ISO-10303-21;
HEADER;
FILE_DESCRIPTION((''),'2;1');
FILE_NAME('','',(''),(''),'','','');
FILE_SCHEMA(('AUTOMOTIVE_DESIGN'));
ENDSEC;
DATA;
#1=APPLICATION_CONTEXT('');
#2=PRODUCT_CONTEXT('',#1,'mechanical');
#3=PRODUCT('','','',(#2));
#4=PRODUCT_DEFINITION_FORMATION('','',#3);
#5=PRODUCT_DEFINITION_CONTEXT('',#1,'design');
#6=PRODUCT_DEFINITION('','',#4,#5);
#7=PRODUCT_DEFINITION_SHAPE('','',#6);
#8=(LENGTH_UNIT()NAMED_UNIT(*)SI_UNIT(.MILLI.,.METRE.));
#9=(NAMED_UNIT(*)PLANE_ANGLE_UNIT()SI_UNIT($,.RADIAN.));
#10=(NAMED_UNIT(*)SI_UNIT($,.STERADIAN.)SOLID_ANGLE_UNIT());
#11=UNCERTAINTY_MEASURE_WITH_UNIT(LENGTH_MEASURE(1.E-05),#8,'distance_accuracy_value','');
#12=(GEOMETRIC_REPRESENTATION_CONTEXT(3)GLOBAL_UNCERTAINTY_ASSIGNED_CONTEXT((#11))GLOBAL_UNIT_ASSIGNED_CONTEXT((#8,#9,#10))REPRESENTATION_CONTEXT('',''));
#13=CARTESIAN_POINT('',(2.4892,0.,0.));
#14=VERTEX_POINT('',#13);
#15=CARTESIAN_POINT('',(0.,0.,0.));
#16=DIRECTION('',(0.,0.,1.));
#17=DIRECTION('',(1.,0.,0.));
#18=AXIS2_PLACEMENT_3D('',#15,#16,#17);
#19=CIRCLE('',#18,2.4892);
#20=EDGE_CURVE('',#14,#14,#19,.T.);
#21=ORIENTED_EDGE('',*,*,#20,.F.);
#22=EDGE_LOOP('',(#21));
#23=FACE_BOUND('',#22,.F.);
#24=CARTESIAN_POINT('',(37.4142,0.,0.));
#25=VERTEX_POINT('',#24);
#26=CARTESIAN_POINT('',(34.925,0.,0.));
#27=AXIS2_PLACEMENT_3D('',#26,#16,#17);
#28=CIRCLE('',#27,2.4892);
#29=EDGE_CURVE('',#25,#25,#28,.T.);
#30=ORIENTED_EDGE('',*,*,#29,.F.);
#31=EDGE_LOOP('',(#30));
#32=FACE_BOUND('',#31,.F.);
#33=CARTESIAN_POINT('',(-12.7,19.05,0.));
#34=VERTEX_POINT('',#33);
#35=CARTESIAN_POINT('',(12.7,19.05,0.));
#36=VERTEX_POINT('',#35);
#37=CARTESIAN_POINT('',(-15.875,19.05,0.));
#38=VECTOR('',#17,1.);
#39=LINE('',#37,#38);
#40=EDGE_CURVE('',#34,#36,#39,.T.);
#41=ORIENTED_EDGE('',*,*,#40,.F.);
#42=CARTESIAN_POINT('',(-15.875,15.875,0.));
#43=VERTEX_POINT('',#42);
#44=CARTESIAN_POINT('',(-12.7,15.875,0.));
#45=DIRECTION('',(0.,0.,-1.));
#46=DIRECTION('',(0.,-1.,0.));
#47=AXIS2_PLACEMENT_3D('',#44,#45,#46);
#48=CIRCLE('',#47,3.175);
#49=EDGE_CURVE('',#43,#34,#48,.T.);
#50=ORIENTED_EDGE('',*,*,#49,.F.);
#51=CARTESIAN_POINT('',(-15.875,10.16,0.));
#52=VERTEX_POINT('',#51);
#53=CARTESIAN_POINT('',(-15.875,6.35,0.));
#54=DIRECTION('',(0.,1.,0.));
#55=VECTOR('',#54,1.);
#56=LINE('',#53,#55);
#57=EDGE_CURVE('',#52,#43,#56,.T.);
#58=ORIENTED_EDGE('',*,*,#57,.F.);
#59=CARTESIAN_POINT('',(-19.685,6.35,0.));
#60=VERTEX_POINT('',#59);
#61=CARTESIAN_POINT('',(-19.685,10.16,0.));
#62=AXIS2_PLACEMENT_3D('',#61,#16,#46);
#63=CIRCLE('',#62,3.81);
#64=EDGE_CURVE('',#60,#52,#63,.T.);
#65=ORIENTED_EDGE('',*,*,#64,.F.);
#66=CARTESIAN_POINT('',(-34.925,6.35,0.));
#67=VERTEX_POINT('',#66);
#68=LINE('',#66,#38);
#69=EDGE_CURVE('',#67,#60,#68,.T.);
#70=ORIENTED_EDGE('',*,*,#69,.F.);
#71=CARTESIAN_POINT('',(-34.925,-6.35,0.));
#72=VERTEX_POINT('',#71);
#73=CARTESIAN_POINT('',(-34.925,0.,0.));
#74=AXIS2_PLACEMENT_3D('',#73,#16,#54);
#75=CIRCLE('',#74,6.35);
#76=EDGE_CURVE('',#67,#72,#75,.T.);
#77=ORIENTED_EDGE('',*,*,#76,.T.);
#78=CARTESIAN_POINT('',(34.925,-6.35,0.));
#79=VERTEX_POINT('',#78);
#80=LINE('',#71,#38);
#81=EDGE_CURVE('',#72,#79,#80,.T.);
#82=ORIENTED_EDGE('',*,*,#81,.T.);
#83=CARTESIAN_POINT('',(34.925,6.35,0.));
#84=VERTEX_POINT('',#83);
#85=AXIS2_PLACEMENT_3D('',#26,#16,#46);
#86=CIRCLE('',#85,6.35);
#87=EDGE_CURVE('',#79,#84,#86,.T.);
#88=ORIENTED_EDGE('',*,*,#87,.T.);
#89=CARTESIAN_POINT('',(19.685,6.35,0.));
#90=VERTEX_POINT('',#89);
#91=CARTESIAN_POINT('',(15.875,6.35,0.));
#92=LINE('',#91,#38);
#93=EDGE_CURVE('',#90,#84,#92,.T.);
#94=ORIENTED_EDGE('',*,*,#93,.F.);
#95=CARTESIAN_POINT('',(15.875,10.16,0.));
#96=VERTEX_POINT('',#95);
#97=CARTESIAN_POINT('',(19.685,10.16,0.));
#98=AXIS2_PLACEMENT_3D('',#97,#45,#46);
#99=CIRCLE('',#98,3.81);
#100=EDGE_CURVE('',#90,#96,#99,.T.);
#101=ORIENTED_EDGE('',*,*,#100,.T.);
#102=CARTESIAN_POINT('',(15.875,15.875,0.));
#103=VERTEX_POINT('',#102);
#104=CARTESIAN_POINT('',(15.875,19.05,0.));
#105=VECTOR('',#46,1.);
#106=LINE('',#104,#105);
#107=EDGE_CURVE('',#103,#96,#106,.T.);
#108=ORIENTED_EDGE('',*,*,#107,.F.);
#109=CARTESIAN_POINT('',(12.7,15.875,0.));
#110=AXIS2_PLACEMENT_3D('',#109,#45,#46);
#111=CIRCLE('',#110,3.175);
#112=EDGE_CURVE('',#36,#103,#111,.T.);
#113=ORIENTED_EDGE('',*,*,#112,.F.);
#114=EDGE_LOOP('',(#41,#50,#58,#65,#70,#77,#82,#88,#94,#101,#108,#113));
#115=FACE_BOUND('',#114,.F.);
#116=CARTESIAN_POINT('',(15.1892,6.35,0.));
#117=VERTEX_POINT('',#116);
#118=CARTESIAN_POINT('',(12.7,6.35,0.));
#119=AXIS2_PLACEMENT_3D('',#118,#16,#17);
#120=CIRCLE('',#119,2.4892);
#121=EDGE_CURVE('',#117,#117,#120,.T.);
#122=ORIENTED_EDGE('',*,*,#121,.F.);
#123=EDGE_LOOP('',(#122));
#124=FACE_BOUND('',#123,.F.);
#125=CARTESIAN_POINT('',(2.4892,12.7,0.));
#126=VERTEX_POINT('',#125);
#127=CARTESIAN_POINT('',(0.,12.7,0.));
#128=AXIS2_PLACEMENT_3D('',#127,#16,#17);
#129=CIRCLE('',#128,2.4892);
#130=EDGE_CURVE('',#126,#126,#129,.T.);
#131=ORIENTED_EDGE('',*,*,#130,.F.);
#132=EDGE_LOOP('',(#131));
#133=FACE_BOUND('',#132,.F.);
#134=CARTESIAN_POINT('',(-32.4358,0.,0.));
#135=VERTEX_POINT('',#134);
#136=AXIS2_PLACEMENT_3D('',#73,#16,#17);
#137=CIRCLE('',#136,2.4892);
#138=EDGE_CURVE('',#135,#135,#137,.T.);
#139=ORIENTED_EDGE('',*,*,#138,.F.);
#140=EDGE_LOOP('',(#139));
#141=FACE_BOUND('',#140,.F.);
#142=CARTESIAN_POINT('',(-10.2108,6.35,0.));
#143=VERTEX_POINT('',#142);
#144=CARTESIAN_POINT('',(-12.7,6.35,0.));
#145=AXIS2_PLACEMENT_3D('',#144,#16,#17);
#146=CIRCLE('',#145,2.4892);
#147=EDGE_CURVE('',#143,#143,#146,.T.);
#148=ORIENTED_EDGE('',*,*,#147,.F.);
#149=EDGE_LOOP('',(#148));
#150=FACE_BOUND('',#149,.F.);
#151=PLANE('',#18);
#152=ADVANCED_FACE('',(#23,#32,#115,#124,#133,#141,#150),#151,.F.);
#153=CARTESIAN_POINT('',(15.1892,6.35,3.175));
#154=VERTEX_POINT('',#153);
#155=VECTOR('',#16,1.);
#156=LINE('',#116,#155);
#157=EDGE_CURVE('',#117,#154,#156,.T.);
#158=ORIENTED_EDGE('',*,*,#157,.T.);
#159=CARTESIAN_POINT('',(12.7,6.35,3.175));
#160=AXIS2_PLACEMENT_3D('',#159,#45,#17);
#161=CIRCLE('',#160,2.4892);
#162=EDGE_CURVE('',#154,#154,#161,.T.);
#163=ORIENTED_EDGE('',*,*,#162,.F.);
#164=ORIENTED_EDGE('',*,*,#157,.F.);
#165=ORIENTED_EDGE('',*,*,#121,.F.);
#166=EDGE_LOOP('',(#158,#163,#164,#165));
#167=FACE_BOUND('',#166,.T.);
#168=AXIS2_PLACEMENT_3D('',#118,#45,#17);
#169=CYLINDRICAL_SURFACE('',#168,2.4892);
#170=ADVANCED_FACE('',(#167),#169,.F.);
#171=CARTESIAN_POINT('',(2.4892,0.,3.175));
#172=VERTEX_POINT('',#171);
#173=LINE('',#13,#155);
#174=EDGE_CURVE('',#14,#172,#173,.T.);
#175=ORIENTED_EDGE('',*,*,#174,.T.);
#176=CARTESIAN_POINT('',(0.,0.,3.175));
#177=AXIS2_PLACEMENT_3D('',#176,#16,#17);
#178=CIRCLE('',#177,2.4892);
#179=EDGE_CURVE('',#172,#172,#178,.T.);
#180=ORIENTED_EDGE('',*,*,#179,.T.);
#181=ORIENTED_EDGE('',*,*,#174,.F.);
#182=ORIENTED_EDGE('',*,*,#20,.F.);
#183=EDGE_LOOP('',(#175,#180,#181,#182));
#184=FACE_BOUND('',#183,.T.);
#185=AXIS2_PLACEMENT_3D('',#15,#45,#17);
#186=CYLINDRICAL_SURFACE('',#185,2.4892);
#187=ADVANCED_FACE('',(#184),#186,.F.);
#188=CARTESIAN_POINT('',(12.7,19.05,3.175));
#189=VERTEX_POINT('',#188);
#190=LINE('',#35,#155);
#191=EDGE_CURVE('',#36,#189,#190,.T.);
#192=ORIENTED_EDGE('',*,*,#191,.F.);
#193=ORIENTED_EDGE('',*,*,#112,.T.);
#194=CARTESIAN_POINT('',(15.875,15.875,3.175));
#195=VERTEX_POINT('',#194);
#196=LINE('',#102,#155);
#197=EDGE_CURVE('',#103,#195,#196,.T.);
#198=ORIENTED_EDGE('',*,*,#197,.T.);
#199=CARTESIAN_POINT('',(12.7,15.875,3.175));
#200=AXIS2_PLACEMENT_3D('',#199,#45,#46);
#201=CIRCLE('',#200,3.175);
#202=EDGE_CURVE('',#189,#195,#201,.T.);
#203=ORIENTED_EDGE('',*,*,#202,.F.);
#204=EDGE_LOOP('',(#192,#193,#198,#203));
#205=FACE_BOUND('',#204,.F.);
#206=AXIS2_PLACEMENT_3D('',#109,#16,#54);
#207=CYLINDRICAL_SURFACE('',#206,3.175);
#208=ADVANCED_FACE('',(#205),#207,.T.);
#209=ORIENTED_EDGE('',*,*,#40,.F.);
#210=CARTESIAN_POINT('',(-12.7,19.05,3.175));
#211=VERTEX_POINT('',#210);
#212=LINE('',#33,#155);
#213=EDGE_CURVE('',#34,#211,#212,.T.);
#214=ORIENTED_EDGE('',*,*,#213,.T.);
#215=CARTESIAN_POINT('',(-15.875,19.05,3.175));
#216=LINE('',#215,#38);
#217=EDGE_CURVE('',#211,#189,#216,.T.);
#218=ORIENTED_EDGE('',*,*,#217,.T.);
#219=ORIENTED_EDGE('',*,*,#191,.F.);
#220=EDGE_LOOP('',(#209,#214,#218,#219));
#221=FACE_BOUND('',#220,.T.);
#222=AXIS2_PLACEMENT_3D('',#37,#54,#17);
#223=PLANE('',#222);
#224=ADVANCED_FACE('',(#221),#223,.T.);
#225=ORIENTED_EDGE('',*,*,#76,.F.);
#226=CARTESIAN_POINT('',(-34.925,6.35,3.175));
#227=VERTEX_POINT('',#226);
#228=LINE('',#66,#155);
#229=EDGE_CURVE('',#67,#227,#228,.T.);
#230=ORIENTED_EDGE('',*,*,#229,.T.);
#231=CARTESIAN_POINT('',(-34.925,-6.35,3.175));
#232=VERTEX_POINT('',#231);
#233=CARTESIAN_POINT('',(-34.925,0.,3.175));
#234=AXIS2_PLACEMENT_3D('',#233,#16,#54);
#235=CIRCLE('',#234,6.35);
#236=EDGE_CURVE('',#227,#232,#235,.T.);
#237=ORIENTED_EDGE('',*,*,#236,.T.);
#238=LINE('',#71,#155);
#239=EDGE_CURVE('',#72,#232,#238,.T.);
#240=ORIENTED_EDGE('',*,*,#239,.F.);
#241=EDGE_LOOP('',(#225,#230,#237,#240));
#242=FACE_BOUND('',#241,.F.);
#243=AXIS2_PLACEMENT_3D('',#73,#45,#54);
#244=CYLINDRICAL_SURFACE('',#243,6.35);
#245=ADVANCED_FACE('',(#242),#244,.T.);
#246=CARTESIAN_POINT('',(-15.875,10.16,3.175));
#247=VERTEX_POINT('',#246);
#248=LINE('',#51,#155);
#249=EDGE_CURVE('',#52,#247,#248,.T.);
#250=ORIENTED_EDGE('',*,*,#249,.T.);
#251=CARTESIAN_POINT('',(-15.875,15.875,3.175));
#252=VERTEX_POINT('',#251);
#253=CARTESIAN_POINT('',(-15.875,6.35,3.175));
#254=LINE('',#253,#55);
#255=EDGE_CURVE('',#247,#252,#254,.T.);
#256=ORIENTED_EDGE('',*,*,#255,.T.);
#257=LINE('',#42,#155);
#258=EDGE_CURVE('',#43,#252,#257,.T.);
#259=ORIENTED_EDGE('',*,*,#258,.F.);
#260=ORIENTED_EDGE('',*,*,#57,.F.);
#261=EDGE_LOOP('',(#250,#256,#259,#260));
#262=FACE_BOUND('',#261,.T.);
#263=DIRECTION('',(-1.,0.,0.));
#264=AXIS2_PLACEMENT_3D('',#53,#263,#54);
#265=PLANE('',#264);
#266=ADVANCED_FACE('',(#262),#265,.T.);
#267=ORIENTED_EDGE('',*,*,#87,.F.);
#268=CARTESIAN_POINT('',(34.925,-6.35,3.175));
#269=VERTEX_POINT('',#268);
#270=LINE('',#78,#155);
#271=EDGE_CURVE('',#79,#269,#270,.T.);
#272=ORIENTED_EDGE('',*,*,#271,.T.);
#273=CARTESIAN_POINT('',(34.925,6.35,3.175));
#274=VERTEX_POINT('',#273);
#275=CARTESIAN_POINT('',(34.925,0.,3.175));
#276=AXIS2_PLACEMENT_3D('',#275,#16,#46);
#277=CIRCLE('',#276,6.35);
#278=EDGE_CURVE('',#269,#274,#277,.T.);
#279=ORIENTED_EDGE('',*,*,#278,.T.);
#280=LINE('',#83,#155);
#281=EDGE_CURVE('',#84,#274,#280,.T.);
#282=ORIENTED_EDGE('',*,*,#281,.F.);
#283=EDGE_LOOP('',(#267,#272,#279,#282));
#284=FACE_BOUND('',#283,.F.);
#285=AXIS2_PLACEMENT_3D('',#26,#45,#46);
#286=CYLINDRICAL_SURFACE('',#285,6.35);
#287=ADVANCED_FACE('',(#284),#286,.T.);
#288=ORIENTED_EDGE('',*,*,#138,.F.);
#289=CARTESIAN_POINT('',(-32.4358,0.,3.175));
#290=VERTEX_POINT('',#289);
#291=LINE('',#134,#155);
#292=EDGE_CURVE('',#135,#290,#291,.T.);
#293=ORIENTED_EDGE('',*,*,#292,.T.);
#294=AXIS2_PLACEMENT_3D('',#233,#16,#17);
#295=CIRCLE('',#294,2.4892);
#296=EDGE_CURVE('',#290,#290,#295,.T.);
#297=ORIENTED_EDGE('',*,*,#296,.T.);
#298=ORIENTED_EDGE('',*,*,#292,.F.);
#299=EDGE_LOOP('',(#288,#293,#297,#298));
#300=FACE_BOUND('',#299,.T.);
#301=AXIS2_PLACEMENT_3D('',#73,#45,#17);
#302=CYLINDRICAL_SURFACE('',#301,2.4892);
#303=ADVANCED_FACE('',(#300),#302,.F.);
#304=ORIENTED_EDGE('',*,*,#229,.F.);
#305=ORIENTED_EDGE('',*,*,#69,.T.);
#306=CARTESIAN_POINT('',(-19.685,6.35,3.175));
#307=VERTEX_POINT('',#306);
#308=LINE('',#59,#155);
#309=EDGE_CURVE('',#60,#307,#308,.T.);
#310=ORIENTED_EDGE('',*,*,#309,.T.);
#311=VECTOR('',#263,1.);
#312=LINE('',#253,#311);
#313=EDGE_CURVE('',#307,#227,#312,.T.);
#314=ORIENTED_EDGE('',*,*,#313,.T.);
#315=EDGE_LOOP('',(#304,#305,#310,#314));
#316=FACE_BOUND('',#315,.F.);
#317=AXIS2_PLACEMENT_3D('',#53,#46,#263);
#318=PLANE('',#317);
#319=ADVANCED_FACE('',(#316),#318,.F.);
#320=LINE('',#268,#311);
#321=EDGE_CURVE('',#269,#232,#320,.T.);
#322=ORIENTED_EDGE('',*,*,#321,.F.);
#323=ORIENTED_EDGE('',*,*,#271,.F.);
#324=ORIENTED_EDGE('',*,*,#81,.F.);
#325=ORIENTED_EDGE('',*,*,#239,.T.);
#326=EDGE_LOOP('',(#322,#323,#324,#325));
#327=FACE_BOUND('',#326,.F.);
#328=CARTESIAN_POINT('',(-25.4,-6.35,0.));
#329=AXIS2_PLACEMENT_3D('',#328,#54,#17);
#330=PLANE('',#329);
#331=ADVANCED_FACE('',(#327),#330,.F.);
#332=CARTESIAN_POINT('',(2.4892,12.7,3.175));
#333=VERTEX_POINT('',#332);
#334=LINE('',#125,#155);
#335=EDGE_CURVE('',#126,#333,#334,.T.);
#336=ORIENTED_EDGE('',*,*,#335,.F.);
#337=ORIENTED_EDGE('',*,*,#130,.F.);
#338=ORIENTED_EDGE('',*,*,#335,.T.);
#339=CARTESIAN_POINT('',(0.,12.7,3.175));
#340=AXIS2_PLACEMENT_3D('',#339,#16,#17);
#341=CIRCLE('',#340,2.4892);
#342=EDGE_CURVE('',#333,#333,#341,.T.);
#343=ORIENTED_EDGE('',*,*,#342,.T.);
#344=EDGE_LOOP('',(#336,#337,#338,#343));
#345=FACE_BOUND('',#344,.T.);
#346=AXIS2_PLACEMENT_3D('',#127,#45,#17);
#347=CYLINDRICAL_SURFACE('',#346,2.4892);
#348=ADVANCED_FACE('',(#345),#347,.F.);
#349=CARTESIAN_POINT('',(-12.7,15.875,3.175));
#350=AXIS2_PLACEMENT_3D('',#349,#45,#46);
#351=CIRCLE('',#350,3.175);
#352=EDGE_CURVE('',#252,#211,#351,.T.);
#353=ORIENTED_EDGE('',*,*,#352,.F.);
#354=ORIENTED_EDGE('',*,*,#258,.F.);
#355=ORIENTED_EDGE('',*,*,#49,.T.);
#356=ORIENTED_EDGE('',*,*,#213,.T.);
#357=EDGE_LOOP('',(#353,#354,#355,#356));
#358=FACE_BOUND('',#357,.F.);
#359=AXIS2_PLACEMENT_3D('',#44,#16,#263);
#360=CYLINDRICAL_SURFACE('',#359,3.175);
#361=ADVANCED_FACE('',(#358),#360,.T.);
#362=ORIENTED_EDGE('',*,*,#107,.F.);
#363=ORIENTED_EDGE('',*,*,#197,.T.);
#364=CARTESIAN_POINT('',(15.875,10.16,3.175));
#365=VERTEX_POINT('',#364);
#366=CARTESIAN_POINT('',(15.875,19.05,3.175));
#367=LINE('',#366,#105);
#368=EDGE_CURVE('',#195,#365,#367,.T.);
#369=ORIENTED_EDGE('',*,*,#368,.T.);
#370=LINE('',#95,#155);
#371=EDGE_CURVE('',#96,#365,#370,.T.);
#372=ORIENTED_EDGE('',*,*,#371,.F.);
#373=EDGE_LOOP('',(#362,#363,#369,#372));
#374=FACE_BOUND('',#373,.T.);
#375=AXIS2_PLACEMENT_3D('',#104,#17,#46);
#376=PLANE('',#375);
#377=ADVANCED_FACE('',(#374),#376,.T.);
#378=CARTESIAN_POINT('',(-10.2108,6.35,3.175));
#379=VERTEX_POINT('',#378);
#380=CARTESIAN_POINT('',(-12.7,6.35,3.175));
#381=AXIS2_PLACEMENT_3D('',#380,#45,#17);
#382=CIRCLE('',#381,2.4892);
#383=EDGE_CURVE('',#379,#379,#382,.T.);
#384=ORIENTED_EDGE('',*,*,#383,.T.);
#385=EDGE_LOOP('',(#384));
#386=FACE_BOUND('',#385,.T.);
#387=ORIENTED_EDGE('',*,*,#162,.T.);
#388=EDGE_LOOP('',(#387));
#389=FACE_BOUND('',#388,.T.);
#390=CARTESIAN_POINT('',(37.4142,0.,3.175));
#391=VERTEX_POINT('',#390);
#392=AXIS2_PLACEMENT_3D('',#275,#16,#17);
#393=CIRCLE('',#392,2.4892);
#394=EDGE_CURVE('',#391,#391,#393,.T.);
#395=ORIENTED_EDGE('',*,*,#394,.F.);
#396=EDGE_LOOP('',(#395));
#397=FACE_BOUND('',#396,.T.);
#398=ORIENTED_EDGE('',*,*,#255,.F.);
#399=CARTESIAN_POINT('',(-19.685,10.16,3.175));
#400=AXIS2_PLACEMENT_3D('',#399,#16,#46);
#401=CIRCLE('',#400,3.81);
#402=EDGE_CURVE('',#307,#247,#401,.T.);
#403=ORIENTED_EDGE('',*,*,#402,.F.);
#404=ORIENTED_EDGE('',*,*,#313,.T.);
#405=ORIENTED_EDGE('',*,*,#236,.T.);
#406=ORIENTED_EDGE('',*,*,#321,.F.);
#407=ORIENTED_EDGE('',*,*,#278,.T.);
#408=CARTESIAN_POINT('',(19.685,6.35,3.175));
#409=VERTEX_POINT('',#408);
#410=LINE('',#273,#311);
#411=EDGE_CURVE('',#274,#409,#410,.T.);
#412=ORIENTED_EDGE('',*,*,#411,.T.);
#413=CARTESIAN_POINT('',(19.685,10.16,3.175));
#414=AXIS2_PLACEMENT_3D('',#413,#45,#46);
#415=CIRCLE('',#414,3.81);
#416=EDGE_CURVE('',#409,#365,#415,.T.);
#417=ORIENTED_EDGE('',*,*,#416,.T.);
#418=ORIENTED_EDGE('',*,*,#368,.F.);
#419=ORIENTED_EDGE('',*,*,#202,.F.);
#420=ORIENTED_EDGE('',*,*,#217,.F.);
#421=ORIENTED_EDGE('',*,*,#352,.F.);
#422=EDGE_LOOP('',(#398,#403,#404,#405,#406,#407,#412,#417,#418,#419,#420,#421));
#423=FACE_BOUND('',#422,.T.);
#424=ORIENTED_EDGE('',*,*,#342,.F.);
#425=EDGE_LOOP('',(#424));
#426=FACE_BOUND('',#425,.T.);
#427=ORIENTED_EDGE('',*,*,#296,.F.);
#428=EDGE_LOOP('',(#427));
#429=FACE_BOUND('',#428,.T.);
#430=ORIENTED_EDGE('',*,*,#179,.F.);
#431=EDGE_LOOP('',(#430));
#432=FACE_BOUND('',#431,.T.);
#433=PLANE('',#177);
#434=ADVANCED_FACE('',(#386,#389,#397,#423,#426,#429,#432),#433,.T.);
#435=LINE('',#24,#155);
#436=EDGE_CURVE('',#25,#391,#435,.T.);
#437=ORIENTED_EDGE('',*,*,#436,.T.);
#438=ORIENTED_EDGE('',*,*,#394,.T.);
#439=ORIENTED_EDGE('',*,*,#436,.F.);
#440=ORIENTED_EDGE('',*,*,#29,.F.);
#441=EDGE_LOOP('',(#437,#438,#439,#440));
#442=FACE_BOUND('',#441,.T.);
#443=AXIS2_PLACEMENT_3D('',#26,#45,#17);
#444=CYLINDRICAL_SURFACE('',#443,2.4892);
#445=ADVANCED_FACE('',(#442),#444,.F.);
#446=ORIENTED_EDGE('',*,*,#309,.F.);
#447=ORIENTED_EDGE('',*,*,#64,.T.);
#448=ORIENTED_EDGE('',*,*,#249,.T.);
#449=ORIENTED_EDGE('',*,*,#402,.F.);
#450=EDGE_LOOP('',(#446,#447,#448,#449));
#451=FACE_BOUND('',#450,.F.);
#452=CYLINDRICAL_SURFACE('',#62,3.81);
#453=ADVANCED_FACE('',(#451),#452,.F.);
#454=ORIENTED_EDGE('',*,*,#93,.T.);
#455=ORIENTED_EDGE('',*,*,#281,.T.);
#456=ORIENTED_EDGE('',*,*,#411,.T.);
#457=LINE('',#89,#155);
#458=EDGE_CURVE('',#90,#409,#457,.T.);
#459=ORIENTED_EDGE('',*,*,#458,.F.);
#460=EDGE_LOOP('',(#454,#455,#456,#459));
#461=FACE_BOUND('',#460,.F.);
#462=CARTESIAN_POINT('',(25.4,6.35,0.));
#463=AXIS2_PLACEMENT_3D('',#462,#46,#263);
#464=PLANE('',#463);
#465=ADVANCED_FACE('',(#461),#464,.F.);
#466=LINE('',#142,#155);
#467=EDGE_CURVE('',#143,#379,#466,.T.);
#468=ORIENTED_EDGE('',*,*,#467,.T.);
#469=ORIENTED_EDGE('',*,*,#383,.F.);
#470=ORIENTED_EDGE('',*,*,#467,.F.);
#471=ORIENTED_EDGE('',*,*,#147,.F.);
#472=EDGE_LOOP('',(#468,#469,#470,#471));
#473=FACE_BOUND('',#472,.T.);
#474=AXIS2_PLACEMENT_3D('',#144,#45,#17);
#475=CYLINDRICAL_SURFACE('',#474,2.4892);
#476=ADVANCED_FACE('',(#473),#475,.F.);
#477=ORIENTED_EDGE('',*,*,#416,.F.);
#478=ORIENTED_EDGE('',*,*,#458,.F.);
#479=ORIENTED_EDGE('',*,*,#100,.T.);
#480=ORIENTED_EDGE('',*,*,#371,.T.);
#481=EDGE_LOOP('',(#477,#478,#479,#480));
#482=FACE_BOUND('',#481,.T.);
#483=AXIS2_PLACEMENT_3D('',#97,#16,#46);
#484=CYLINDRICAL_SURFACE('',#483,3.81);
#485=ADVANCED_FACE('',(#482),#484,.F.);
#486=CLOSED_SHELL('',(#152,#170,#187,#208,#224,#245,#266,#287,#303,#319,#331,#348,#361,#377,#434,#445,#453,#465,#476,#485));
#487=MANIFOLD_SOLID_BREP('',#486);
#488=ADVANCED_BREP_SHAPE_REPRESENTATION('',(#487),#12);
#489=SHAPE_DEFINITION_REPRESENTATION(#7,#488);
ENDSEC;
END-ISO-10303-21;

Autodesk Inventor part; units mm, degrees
ref_plane "YZ Plane" through (0, 0, 0) normal (1, 0, 0) x (0, 1, 0)
ref_plane "XZ Plane" through (0, 0, 0) normal (0, 1, 0) x (-1, 0, 0)
ref_plane "XY Plane" through (0, 0, 0) normal (0, 0, 1) x (1, 0, 0)
sketch "Sketch1" plane through (0, 0, 0) normal (0, 0, 1) x (1, 0, 0)
  line L0 (25.4, 6.35) -> (-25.4, 6.35)
  line L1 (-25.4, 6.35) -> (-25.4, -6.35)
  line L2 (-25.4, -6.35) -> (25.4, -6.35)
  line L3 (25.4, -6.35) -> (25.4, 6.35)
  line L4 (25.4, 6.35) -> (-25.4, -6.35) construction
  line L5 (-25.4, 6.35) -> (25.4, -6.35) construction
  line L6 (-25.4, 6.35) -> (-34.925, 6.35)
  line L7 (-34.925, -6.35) -> (-25.4, -6.35)
  arc A0 (-34.925, 6.35) -> (-34.925, -6.35) centre (-34.925, 0) ccw
  circle A1 centre (-34.925, 0) radius 2.4892
  circle A2 centre (-34.925, 0) radius 9.525 construction
  line L8 (0, 0) -> (0, 12.7) construction
  line L9 (25.4, 6.35) -> (34.925, 6.35)
  line L10 (34.925, -6.35) -> (25.4, -6.35)
  arc A3 (34.925, -6.35) -> (34.925, 6.35) centre (34.925, 0) ccw
  circle A4 centre (34.925, 0) radius 2.4892
  line L11 (-15.875, 19.05) -> (15.875, 19.05)
  line L12 (15.875, 19.05) -> (15.875, 6.35)
  line L13 (15.875, 6.35) -> (-15.875, 6.35)
  line L14 (-15.875, 6.35) -> (-15.875, 19.05)
  line L15 (-15.875, 19.05) -> (15.875, 6.35) construction
  line L16 (15.875, 19.05) -> (-15.875, 6.35) construction
  circle A5 centre (0, 0) radius 2.4892
  circle A6 centre (0, 12.7) radius 2.4892
  circle A7 centre (-12.7, 6.35) radius 2.4892
  circle A8 centre (12.7, 6.35) radius 2.4892
  line L17 (-12.7, 6.35) -> (12.7, 6.35)
  point P0 (-15.875, 6.35)
  point P1 (0, 12.7)
  point P2 (0, 6.35)
  dimension "d1" = 50.8
  dimension "d3" = 4.9784
  dimension "d4" = 19.05
  dimension "d5" = 12.7
  dimension "d18" = 4.9784
  dimension "d21" = 12.7
  dimension "d22" = 25.4
  dimension "d26" = 31.75
extrude "Extrusion1" add sketch "Sketch1" along normal blind 3.175 contours L3 L2 L1 L0 A7 A8 | L9 A3 L10 L3 | L0 A8 A7 L14 L11 L12 | L7 A0 L6 L1
fillet "Fillet1" radius 3.81 2 edges at (15.875, 6.35, 1.5875) (-15.875, 6.35, 1.5875)
fillet "Fillet1" radius 3.175 2 edges at (15.875, 19.05, 1.5875) (-15.875, 19.05, 1.5875)
properties part number "Front - Back Bearing Plate (R4)" material "Aluminum 6061"
